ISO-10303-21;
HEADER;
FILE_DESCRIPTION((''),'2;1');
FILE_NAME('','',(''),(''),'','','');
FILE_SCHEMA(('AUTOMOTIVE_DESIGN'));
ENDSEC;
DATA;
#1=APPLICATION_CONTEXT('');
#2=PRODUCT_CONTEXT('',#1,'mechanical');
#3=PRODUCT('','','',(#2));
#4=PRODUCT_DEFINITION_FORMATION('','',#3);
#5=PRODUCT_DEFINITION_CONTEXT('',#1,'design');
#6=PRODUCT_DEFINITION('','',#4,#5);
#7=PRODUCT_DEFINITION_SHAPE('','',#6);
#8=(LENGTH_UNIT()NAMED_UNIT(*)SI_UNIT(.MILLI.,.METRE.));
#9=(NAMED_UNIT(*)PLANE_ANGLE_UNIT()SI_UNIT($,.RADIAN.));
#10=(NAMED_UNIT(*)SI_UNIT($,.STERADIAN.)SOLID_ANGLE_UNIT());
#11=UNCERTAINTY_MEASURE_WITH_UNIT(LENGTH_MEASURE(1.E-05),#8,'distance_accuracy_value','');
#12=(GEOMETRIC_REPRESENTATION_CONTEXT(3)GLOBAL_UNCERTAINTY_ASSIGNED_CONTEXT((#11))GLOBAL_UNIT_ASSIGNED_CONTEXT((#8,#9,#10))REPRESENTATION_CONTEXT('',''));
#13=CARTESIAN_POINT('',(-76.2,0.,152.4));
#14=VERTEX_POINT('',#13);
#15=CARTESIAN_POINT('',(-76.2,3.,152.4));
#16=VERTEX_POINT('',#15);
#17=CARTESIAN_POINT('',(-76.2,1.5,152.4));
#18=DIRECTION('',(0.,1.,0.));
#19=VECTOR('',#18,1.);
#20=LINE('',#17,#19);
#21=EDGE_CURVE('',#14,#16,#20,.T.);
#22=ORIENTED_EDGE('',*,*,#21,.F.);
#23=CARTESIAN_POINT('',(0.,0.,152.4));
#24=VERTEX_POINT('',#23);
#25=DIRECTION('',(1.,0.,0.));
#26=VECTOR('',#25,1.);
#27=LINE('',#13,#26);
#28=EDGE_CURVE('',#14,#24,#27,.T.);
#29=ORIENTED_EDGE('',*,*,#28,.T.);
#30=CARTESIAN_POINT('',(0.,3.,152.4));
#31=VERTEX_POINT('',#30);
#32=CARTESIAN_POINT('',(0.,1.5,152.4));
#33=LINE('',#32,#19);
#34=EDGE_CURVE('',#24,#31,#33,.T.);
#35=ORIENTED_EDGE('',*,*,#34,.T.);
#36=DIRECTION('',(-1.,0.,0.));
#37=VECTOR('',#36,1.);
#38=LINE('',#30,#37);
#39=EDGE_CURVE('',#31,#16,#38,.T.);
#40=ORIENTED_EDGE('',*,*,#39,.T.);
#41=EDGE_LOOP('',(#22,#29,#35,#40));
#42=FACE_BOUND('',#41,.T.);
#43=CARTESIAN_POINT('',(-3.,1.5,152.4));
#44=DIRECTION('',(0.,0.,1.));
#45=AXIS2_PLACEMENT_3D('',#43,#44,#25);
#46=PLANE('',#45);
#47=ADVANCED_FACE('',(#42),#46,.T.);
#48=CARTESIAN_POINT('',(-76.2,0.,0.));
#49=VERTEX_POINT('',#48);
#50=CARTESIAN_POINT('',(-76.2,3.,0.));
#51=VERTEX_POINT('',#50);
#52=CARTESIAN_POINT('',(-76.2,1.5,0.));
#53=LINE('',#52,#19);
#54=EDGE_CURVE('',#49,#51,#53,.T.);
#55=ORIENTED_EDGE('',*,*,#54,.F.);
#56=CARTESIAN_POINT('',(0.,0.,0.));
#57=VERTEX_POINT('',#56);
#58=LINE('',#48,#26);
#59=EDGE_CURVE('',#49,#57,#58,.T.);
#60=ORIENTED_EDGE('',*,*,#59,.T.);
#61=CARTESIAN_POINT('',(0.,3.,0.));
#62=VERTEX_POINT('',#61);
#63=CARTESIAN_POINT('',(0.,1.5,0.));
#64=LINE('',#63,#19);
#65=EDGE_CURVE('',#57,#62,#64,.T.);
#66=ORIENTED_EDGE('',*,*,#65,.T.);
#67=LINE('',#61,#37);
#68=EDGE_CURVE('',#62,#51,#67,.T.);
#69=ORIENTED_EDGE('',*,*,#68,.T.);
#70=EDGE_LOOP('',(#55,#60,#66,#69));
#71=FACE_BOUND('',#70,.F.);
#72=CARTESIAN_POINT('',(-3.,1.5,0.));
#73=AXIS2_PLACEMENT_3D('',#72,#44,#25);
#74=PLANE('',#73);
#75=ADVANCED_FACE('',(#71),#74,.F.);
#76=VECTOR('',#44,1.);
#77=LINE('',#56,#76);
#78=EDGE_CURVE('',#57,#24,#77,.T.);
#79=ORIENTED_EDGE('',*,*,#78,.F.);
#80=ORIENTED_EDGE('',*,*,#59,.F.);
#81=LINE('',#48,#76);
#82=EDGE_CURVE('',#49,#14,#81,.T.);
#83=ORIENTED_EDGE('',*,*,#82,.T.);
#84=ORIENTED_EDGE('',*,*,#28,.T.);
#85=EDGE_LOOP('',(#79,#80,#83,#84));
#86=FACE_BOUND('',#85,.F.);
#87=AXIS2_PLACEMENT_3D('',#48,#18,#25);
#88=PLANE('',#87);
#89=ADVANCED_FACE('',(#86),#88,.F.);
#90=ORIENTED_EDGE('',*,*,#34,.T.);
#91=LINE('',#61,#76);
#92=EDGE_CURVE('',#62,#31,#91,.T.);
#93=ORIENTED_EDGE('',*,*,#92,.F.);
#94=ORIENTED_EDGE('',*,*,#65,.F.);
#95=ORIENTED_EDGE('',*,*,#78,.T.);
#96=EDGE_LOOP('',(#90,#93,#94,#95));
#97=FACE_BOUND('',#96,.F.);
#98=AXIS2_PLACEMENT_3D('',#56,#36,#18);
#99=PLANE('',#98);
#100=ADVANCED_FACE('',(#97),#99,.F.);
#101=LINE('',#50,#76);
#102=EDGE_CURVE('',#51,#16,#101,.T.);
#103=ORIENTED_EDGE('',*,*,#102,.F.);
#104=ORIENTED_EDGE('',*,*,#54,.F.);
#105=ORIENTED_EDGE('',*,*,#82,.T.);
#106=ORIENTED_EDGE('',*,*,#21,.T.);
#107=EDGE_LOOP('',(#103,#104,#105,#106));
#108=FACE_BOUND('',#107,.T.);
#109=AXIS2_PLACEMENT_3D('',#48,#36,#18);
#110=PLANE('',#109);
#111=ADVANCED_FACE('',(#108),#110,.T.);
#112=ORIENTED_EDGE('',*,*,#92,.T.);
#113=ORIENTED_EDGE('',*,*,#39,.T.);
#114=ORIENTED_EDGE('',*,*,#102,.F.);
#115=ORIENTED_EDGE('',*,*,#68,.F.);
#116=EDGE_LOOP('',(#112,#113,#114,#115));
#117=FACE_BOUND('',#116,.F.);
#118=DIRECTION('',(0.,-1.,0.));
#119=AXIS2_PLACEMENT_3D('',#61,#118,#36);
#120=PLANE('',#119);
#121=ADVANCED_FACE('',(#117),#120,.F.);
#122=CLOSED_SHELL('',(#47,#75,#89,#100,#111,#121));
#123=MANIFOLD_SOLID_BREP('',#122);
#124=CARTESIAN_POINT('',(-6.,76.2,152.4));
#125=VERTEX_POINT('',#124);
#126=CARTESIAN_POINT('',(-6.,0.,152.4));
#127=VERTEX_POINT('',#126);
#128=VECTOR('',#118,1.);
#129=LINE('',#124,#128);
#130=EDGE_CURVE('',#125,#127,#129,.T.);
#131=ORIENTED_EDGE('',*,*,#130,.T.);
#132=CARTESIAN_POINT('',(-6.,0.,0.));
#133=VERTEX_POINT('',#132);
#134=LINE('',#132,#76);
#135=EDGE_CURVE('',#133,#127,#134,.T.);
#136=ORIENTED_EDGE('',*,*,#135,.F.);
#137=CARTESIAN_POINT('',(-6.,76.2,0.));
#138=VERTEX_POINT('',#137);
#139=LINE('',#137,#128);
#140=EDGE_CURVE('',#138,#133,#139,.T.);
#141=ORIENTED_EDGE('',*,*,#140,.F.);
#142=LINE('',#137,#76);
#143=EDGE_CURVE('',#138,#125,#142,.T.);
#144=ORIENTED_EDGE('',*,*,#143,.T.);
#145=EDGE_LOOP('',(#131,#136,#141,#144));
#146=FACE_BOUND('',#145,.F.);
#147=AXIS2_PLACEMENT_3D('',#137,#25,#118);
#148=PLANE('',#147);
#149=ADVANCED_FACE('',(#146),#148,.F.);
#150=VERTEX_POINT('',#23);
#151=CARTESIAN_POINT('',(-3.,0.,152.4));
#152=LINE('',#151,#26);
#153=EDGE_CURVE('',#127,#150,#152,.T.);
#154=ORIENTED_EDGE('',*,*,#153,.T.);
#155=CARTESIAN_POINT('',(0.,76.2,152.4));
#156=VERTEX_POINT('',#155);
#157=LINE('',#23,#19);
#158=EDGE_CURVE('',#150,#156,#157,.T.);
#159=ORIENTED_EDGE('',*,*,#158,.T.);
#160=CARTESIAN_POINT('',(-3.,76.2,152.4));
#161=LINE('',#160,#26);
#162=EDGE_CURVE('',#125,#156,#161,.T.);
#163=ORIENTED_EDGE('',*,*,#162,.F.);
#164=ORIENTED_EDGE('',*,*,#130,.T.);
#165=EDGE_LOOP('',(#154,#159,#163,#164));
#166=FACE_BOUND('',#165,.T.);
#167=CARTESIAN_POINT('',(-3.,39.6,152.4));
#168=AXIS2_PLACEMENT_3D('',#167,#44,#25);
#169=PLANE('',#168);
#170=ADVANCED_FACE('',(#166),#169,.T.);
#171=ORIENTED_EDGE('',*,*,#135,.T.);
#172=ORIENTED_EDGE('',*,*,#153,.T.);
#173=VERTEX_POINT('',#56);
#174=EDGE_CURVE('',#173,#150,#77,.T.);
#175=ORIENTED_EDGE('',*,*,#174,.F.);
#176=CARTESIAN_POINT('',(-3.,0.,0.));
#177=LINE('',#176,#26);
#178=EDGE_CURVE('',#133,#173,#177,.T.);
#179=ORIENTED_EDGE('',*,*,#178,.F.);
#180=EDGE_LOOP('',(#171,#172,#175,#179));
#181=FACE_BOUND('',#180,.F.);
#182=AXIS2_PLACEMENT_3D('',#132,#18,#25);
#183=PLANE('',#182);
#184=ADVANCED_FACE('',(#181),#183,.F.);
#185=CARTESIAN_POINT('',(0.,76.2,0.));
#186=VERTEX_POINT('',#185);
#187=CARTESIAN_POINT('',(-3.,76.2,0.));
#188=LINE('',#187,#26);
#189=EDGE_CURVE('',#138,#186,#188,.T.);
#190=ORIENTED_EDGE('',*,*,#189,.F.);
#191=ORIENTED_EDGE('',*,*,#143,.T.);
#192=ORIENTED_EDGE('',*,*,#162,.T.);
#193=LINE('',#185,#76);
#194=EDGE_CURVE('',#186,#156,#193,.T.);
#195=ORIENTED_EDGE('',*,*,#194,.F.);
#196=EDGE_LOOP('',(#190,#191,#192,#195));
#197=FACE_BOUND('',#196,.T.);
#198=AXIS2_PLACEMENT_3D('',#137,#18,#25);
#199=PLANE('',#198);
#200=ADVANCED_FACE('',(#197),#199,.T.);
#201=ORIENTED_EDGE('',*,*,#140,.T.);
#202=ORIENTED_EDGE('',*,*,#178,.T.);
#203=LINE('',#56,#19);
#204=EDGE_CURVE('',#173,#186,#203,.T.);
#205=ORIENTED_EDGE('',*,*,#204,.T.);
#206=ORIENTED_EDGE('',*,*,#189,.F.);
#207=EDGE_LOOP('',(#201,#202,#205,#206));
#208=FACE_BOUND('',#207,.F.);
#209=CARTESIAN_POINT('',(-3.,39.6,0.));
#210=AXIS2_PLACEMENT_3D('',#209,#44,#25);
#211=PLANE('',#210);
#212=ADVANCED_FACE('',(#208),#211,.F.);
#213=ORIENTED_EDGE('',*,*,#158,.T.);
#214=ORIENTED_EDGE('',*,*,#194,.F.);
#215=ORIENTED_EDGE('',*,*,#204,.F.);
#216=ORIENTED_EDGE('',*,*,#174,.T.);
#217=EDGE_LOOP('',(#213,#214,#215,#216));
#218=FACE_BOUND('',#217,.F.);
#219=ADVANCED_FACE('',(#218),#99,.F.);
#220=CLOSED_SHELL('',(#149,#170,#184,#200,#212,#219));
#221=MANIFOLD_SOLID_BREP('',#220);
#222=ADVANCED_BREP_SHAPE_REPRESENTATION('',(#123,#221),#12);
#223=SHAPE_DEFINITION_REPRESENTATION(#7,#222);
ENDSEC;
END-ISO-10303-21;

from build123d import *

# Parameters (mm, degrees)
F0_W     = 6
F0_H     = 3
F0_W_2   = 70.2
F1_DEPTH = 152.4
F0_H_2   = 73.2
F2_DEPTH = 152.4


with BuildPart() as f1:
    # F0 (on Top) → F1 (new body)
    with BuildSketch(Plane.XY):
        with Locations((-3, 1.5)):
            Rectangle(F0_W, F0_H)
        with Locations((-41.1, 1.5)):
            Rectangle(F0_W_2, F0_H)
    extrude(amount=F1_DEPTH)


with BuildPart() as f2:
    # F0 (on Top) → F2 (new body)
    with BuildSketch(Plane.XY):
        with Locations((-3, 39.6)):
            Rectangle(F0_W, F0_H_2)
        with Locations((-3, 1.5)):
            Rectangle(F0_W, F0_H)
    extrude(amount=F2_DEPTH)


solid = Compound([f1.part, f2.part])
